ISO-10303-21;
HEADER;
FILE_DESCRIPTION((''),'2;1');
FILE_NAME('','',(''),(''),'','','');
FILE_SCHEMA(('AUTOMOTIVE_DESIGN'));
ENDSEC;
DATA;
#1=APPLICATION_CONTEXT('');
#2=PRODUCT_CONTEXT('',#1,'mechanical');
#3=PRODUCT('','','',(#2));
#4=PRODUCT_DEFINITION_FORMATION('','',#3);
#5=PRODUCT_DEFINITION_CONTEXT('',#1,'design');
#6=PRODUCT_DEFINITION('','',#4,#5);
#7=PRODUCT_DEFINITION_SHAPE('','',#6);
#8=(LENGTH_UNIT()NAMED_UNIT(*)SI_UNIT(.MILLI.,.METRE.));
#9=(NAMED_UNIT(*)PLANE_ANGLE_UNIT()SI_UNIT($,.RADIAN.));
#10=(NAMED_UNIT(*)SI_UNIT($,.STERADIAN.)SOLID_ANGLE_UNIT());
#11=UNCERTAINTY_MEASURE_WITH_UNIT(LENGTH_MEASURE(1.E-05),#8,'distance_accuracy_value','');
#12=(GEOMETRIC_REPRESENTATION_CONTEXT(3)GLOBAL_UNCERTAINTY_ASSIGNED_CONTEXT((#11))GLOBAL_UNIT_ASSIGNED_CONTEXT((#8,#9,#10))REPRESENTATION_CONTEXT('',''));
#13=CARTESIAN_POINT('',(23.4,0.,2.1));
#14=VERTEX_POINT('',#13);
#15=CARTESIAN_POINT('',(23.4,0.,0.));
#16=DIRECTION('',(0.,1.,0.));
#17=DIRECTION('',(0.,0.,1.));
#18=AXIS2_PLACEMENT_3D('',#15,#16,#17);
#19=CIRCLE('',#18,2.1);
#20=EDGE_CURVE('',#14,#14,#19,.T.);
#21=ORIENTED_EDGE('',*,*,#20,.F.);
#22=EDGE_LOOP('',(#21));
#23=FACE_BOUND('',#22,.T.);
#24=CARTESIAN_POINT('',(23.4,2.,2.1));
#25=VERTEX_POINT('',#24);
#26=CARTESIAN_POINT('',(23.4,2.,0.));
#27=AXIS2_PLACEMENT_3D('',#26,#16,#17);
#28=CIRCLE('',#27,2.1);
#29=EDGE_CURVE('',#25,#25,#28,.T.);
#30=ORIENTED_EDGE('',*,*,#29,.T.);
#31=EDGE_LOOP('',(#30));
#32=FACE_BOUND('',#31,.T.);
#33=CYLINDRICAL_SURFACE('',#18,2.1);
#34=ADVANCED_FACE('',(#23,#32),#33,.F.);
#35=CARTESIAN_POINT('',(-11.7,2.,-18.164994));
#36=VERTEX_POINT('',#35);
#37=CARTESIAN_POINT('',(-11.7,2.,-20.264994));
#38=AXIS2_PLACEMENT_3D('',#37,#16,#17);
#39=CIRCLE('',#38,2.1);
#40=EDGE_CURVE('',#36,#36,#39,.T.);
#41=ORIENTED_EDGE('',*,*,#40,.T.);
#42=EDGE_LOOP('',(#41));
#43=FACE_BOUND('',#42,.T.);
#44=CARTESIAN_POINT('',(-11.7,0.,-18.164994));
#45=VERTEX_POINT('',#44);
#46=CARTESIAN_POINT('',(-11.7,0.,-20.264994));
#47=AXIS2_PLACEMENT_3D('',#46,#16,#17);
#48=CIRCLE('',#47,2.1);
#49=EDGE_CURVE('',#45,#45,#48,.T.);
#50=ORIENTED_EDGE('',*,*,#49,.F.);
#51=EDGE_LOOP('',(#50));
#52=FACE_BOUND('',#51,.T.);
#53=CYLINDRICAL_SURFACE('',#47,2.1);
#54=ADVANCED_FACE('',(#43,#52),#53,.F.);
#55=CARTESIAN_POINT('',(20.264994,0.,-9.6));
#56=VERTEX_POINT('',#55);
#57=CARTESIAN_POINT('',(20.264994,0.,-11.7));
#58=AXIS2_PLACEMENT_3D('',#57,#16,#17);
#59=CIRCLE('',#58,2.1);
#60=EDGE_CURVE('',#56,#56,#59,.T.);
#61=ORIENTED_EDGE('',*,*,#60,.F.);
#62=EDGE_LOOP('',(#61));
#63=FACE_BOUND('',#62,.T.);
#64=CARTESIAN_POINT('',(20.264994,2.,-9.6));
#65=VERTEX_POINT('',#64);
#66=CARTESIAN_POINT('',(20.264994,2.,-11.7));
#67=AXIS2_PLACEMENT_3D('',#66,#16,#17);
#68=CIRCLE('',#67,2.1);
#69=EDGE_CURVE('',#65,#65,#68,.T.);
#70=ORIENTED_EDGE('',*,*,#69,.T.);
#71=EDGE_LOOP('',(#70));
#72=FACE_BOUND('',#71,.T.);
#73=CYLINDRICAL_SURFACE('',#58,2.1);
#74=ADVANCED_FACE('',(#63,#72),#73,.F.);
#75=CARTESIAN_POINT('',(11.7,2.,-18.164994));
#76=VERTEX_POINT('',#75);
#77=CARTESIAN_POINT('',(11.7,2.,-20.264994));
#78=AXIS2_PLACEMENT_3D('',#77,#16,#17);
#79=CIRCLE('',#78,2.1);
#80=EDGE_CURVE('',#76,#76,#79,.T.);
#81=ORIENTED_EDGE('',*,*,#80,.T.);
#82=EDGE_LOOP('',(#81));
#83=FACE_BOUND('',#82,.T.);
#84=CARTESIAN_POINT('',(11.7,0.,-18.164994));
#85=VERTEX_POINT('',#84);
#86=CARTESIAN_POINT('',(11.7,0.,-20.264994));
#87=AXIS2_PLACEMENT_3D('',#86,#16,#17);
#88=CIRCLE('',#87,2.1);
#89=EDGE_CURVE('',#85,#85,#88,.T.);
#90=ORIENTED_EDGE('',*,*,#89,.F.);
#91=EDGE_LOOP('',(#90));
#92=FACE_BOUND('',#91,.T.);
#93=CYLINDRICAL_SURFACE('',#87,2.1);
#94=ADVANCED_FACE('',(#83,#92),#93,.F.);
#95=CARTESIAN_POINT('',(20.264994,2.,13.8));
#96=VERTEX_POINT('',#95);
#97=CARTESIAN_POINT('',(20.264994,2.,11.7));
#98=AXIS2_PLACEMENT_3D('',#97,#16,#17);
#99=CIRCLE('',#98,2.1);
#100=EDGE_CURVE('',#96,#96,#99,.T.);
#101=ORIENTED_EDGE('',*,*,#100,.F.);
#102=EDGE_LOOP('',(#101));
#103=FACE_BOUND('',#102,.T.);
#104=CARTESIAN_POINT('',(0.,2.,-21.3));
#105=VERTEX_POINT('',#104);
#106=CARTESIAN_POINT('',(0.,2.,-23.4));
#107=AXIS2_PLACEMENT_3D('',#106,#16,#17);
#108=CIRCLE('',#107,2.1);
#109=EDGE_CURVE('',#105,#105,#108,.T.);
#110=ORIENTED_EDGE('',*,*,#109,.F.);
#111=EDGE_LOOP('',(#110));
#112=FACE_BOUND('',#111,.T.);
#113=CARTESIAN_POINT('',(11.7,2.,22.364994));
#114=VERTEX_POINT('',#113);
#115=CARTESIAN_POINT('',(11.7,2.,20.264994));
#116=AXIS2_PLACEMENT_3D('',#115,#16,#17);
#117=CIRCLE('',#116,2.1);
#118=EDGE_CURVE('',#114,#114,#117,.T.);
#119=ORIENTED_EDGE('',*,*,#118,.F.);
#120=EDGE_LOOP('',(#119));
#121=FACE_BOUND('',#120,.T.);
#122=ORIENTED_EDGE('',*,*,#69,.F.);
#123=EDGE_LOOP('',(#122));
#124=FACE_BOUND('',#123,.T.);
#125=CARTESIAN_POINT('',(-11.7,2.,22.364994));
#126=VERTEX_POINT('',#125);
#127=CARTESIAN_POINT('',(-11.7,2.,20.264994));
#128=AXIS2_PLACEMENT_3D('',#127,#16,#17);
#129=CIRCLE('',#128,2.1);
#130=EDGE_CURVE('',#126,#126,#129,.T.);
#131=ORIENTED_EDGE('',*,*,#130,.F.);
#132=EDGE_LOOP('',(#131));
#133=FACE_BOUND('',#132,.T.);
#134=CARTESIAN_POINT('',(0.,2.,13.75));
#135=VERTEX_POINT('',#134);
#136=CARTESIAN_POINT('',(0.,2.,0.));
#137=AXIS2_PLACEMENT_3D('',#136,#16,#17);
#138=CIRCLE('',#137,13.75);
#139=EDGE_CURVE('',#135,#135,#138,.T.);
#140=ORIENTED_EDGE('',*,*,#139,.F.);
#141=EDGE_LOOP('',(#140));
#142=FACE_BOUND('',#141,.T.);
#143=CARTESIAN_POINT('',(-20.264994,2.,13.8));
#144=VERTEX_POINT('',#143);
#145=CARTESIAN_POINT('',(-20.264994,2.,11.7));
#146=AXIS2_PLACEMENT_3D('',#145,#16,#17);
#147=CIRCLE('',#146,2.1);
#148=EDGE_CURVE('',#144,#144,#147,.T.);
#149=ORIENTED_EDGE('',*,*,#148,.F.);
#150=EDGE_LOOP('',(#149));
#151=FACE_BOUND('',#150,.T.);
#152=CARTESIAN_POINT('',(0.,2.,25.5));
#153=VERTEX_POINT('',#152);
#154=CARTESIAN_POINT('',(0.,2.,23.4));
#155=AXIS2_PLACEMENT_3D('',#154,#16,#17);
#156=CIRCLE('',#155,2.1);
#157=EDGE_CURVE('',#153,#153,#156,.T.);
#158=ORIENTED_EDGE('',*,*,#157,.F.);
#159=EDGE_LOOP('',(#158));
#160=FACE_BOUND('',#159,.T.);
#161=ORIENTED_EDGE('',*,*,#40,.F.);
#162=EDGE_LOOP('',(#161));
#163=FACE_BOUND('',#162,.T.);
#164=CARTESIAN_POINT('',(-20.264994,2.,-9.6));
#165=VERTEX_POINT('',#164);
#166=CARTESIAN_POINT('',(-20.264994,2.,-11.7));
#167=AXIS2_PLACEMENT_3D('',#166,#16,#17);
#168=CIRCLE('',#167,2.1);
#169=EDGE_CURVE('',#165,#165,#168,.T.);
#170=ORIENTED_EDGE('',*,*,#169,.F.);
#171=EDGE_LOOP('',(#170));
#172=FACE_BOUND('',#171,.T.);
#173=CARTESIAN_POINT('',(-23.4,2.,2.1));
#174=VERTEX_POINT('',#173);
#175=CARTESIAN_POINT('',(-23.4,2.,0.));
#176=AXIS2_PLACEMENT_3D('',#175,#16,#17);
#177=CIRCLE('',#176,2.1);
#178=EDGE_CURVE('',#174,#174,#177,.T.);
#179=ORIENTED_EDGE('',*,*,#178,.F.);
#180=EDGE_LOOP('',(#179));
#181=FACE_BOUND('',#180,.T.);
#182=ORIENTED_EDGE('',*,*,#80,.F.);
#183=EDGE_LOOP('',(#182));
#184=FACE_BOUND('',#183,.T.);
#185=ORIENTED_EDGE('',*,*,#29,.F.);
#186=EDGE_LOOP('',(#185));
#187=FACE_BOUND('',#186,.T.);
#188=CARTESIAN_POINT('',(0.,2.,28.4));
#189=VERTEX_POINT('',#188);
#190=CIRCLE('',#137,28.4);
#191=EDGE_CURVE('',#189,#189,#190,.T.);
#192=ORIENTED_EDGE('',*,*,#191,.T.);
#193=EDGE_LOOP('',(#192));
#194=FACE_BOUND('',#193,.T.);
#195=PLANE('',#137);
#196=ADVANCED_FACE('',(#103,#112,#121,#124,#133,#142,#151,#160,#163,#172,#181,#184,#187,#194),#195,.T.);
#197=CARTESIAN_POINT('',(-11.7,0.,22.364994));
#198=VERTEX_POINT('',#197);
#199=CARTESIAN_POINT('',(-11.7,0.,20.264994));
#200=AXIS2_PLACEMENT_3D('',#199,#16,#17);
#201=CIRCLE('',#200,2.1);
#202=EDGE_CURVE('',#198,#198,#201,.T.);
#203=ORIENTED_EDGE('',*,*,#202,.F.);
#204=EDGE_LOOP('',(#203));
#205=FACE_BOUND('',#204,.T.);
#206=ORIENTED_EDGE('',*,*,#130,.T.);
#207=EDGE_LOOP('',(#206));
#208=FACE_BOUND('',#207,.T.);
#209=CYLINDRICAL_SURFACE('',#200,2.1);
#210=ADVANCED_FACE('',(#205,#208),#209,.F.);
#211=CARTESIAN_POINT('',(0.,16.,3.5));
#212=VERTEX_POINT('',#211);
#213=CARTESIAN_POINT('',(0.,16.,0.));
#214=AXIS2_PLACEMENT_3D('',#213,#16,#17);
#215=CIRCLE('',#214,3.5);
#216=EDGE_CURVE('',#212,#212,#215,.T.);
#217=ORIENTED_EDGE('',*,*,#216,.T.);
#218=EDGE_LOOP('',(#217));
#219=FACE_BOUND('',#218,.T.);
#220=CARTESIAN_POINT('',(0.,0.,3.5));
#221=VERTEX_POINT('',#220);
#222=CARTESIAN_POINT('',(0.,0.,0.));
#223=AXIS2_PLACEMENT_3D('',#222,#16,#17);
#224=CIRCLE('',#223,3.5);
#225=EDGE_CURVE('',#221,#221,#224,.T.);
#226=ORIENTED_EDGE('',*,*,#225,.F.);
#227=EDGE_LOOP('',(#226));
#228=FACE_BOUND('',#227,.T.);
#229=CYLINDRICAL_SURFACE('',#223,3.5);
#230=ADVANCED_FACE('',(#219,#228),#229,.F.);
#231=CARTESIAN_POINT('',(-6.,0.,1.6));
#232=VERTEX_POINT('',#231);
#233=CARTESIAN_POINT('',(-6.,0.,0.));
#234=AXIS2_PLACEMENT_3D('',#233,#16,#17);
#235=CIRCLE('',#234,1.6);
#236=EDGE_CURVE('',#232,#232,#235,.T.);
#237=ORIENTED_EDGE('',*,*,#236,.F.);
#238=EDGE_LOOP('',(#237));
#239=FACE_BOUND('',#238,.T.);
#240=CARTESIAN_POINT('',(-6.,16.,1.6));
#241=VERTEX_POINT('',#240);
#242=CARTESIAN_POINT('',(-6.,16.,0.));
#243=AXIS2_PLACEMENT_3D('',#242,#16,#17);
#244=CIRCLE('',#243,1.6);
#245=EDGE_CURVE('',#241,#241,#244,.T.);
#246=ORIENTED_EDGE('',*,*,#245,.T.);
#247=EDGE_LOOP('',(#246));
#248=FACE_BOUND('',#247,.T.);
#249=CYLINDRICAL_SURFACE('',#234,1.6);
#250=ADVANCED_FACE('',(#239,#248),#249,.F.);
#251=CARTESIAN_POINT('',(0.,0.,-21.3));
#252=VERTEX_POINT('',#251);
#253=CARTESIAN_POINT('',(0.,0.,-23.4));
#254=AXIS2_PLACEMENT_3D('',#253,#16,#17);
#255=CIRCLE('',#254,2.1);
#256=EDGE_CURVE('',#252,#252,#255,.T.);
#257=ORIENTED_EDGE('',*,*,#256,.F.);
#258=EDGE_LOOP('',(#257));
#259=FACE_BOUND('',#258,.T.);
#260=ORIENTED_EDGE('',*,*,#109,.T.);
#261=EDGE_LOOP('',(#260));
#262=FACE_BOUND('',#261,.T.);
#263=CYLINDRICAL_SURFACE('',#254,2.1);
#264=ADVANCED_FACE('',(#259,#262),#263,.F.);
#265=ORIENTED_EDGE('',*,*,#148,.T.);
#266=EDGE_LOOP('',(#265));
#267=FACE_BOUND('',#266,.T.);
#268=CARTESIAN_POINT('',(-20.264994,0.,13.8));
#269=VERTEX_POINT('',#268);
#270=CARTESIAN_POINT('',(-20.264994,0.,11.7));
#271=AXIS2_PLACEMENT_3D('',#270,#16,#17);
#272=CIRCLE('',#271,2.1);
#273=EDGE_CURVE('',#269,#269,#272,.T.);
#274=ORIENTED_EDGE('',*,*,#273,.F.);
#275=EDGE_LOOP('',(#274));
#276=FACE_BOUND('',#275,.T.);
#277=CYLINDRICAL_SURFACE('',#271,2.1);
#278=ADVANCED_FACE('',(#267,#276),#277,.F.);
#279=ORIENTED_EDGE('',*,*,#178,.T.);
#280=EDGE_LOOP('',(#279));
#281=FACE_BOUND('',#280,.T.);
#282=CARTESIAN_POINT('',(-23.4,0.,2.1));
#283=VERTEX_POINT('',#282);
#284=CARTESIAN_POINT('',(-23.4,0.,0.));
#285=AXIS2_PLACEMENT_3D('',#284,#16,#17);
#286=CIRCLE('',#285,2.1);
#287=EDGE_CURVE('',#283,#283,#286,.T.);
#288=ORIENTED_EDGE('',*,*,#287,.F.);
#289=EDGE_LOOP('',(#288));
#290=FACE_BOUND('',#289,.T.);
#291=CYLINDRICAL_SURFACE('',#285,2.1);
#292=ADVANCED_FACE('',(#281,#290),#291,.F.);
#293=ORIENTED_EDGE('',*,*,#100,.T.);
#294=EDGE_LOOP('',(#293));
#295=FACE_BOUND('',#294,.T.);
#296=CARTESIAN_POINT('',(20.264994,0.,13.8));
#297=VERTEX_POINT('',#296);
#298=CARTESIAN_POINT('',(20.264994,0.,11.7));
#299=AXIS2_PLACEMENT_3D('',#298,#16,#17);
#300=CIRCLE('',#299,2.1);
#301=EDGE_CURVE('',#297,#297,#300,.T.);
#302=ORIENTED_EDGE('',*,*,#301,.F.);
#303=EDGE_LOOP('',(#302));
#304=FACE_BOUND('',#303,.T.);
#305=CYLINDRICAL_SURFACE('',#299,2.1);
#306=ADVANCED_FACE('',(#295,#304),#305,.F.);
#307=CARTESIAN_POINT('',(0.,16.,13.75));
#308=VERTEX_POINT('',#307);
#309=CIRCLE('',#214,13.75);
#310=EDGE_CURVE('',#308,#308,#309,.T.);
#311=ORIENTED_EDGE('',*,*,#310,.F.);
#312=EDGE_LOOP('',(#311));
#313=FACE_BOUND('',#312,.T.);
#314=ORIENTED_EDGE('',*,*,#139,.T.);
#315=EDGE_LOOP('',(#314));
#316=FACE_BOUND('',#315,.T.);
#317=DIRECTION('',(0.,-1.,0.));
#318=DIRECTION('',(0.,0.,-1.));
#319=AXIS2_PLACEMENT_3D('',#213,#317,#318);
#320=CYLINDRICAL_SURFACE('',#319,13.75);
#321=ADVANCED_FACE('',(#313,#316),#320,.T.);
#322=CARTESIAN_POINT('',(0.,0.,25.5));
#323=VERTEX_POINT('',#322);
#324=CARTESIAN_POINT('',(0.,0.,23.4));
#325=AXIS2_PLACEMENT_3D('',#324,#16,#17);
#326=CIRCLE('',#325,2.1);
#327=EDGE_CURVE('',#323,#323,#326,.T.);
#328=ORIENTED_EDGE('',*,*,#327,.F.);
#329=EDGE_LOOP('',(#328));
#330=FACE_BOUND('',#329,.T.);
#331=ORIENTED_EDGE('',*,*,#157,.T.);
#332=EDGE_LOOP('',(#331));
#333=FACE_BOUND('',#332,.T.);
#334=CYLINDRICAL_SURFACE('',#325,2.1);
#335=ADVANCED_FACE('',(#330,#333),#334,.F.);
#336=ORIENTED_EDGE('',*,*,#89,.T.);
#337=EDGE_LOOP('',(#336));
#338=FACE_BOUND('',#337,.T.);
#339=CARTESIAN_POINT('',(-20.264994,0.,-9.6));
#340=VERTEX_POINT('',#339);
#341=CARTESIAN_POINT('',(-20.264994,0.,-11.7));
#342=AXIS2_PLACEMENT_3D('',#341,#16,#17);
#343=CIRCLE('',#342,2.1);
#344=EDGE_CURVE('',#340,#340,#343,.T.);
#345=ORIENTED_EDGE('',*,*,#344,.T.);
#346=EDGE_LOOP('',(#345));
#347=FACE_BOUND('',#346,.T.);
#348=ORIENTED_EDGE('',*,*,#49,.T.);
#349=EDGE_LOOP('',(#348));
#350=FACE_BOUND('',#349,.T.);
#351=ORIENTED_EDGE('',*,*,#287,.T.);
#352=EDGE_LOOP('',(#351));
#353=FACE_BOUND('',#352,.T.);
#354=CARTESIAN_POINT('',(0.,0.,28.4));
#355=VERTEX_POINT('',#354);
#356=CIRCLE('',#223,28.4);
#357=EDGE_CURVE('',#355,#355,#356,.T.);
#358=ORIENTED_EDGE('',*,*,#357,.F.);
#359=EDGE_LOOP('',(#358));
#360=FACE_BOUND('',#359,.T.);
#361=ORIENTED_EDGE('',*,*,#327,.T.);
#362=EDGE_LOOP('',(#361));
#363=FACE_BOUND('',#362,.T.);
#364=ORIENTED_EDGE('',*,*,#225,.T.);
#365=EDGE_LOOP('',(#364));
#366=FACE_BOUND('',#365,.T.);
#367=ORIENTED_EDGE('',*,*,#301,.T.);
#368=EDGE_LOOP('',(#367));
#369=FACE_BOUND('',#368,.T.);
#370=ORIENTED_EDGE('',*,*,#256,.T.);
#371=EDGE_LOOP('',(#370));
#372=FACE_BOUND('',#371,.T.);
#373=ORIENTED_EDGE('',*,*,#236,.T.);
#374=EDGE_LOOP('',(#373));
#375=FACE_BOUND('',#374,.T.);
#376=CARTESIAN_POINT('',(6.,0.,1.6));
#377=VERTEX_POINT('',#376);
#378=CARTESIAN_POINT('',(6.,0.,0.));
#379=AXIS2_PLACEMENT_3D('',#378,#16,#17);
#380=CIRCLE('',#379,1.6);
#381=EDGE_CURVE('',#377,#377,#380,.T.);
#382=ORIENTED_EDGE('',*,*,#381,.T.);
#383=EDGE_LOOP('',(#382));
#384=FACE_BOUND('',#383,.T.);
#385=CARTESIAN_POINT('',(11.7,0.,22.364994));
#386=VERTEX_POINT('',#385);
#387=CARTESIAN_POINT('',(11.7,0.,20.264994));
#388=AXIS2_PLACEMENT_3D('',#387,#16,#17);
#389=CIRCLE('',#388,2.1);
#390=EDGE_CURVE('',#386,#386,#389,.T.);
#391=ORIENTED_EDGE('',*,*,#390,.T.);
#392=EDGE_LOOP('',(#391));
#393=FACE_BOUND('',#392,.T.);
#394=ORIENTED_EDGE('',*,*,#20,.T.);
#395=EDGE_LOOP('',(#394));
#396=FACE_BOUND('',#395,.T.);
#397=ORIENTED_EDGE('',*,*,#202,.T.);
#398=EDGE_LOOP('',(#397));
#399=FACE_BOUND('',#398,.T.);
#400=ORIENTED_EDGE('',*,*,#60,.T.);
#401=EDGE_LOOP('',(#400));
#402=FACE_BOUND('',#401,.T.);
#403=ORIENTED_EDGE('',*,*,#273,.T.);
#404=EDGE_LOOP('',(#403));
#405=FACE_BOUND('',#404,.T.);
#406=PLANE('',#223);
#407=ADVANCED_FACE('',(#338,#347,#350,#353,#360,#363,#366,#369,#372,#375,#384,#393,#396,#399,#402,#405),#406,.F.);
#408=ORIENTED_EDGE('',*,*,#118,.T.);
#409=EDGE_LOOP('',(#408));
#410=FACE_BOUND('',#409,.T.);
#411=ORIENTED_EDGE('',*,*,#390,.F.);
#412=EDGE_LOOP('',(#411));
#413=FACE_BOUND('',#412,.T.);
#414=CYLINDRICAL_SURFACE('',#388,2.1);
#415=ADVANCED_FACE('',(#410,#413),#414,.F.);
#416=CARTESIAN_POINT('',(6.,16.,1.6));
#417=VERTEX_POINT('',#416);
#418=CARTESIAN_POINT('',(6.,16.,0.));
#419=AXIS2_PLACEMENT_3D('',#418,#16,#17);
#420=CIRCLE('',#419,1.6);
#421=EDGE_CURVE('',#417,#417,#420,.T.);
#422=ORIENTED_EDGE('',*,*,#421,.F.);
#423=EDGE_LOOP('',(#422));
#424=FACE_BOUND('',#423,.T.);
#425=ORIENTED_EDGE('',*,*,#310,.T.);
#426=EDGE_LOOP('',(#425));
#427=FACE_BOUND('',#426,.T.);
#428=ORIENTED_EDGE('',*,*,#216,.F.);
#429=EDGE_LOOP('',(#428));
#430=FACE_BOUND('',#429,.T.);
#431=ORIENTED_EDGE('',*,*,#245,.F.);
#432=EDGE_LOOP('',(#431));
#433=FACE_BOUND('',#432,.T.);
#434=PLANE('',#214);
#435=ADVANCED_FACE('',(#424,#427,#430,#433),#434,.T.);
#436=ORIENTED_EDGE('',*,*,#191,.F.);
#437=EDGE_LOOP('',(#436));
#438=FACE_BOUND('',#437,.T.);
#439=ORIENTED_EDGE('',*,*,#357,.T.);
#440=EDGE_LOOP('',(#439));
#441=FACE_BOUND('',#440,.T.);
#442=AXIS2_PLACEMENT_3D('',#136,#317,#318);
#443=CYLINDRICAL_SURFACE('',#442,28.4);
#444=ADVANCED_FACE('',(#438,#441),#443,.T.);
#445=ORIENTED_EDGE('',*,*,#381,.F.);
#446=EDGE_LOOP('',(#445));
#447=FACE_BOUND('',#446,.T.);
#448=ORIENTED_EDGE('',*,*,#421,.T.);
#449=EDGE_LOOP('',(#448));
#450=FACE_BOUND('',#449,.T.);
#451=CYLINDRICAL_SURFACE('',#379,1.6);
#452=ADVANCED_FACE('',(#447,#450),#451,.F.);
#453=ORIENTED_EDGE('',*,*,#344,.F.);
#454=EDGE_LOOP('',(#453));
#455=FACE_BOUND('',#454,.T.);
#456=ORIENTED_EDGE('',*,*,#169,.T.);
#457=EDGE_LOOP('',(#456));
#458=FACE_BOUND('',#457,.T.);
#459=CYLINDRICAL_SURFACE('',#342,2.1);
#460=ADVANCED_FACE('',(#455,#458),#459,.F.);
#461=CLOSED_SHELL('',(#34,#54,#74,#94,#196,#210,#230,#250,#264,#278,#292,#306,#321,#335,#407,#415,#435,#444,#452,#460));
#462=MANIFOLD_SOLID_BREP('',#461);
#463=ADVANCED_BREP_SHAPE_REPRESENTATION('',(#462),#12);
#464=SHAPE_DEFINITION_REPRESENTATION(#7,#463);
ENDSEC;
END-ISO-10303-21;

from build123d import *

# Parameters (mm, degrees)
SKETCH_1_R          = 28.4
EXTRUDE_1_DEPTH     = 2
SKETCH_2_R          = 13.75
EXTRUDE_2_DEPTH     = 14
SKETCH_3_R          = 3.5
SKETCH_3_R_2        = 1.6
CUT_EXTRUDE_1_DEPTH = 44.233320483
SKETCH_4_R          = 2.1
CUT_EXTRUDE_2_DEPTH = 43.533751304


with BuildPart() as part:
    # ｽｹｯﾁ1 → ﾎﾞｽ - 押し出し1 (new body)
    with BuildSketch(Plane(origin=(0, 0, 0), x_dir=(1, 0, 0), z_dir=(0, 1, 0))):
        with Locations(Location((0, 0, 0), (0, 0, 270))):
            Circle(SKETCH_1_R)
    extrude(amount=EXTRUDE_1_DEPTH)

    # ｽｹｯﾁ2 → ﾎﾞｽ - 押し出し2 (add)
    with BuildSketch(Plane(origin=(0, 2, 0), x_dir=(1, 0, 0), z_dir=(0, 1, 0))):
        with Locations(Location((0, 0, 0), (0, 0, 270))):
            Circle(SKETCH_2_R)
    extrude(amount=EXTRUDE_2_DEPTH)

    # ｽｹｯﾁ3 → ｶｯﾄ - 押し出し1 (cut, through all)
    with BuildSketch(Plane(origin=(0, 16, 0), x_dir=(1, 0, 0), z_dir=(0, 1, 0))):
        with Locations(Location((0, 0, 0), (0, 0, 270))):
            Circle(SKETCH_3_R)
        with Locations(Location((-6, 0, 0), (0, 0, 270))):
            Circle(SKETCH_3_R_2)
        with Locations(Location((6, 0, 0), (0, 0, 270))):
            Circle(SKETCH_3_R_2)
    extrude(amount=-CUT_EXTRUDE_1_DEPTH, mode=Mode.SUBTRACT)

    # ｽｹｯﾁ4 → ｶｯﾄ - 押し出し2 (cut, through all)
    with BuildSketch(Plane(origin=(0, 2, 0), x_dir=(1, 0, 0), z_dir=(0, 1, 0))):
        with Locations(Location((0, 23.4, 0), (0, 0, 270))):
            Circle(SKETCH_4_R)
        with Locations(Location((11.7, 20.264994449, 0), (0, 0, 270))):
            Circle(SKETCH_4_R)
        with Locations(Location((20.264994449, 11.7, 0), (0, 0, 270))):
            Circle(SKETCH_4_R)
        with Locations(Location((23.4, 0, 0), (0, 0, 270))):
            Circle(SKETCH_4_R)
        with Locations(Location((20.264994449, -11.7, 0), (0, 0, 270))):
            Circle(SKETCH_4_R)
        with Locations(Location((11.7, -20.264994449, 0), (0, 0, 270))):
            Circle(SKETCH_4_R)
        with Locations(Location((0, -23.4, 0), (0, 0, 270))):
            Circle(SKETCH_4_R)
        with Locations(Location((-11.7, -20.264994449, 0), (0, 0, 270))):
            Circle(SKETCH_4_R)
        with Locations(Location((-20.264994449, -11.7, 0), (0, 0, 270))):
            Circle(SKETCH_4_R)
        with Locations(Location((-23.4, 0, 0), (0, 0, 270))):
            Circle(SKETCH_4_R)
        with Locations(Location((-20.264994449, 11.7, 0), (0, 0, 270))):
            Circle(SKETCH_4_R)
        with Locations(Location((-11.7, 20.264994449, 0), (0, 0, 270))):
            Circle(SKETCH_4_R)
    extrude(amount=-CUT_EXTRUDE_2_DEPTH, mode=Mode.SUBTRACT)


solid = part.part
